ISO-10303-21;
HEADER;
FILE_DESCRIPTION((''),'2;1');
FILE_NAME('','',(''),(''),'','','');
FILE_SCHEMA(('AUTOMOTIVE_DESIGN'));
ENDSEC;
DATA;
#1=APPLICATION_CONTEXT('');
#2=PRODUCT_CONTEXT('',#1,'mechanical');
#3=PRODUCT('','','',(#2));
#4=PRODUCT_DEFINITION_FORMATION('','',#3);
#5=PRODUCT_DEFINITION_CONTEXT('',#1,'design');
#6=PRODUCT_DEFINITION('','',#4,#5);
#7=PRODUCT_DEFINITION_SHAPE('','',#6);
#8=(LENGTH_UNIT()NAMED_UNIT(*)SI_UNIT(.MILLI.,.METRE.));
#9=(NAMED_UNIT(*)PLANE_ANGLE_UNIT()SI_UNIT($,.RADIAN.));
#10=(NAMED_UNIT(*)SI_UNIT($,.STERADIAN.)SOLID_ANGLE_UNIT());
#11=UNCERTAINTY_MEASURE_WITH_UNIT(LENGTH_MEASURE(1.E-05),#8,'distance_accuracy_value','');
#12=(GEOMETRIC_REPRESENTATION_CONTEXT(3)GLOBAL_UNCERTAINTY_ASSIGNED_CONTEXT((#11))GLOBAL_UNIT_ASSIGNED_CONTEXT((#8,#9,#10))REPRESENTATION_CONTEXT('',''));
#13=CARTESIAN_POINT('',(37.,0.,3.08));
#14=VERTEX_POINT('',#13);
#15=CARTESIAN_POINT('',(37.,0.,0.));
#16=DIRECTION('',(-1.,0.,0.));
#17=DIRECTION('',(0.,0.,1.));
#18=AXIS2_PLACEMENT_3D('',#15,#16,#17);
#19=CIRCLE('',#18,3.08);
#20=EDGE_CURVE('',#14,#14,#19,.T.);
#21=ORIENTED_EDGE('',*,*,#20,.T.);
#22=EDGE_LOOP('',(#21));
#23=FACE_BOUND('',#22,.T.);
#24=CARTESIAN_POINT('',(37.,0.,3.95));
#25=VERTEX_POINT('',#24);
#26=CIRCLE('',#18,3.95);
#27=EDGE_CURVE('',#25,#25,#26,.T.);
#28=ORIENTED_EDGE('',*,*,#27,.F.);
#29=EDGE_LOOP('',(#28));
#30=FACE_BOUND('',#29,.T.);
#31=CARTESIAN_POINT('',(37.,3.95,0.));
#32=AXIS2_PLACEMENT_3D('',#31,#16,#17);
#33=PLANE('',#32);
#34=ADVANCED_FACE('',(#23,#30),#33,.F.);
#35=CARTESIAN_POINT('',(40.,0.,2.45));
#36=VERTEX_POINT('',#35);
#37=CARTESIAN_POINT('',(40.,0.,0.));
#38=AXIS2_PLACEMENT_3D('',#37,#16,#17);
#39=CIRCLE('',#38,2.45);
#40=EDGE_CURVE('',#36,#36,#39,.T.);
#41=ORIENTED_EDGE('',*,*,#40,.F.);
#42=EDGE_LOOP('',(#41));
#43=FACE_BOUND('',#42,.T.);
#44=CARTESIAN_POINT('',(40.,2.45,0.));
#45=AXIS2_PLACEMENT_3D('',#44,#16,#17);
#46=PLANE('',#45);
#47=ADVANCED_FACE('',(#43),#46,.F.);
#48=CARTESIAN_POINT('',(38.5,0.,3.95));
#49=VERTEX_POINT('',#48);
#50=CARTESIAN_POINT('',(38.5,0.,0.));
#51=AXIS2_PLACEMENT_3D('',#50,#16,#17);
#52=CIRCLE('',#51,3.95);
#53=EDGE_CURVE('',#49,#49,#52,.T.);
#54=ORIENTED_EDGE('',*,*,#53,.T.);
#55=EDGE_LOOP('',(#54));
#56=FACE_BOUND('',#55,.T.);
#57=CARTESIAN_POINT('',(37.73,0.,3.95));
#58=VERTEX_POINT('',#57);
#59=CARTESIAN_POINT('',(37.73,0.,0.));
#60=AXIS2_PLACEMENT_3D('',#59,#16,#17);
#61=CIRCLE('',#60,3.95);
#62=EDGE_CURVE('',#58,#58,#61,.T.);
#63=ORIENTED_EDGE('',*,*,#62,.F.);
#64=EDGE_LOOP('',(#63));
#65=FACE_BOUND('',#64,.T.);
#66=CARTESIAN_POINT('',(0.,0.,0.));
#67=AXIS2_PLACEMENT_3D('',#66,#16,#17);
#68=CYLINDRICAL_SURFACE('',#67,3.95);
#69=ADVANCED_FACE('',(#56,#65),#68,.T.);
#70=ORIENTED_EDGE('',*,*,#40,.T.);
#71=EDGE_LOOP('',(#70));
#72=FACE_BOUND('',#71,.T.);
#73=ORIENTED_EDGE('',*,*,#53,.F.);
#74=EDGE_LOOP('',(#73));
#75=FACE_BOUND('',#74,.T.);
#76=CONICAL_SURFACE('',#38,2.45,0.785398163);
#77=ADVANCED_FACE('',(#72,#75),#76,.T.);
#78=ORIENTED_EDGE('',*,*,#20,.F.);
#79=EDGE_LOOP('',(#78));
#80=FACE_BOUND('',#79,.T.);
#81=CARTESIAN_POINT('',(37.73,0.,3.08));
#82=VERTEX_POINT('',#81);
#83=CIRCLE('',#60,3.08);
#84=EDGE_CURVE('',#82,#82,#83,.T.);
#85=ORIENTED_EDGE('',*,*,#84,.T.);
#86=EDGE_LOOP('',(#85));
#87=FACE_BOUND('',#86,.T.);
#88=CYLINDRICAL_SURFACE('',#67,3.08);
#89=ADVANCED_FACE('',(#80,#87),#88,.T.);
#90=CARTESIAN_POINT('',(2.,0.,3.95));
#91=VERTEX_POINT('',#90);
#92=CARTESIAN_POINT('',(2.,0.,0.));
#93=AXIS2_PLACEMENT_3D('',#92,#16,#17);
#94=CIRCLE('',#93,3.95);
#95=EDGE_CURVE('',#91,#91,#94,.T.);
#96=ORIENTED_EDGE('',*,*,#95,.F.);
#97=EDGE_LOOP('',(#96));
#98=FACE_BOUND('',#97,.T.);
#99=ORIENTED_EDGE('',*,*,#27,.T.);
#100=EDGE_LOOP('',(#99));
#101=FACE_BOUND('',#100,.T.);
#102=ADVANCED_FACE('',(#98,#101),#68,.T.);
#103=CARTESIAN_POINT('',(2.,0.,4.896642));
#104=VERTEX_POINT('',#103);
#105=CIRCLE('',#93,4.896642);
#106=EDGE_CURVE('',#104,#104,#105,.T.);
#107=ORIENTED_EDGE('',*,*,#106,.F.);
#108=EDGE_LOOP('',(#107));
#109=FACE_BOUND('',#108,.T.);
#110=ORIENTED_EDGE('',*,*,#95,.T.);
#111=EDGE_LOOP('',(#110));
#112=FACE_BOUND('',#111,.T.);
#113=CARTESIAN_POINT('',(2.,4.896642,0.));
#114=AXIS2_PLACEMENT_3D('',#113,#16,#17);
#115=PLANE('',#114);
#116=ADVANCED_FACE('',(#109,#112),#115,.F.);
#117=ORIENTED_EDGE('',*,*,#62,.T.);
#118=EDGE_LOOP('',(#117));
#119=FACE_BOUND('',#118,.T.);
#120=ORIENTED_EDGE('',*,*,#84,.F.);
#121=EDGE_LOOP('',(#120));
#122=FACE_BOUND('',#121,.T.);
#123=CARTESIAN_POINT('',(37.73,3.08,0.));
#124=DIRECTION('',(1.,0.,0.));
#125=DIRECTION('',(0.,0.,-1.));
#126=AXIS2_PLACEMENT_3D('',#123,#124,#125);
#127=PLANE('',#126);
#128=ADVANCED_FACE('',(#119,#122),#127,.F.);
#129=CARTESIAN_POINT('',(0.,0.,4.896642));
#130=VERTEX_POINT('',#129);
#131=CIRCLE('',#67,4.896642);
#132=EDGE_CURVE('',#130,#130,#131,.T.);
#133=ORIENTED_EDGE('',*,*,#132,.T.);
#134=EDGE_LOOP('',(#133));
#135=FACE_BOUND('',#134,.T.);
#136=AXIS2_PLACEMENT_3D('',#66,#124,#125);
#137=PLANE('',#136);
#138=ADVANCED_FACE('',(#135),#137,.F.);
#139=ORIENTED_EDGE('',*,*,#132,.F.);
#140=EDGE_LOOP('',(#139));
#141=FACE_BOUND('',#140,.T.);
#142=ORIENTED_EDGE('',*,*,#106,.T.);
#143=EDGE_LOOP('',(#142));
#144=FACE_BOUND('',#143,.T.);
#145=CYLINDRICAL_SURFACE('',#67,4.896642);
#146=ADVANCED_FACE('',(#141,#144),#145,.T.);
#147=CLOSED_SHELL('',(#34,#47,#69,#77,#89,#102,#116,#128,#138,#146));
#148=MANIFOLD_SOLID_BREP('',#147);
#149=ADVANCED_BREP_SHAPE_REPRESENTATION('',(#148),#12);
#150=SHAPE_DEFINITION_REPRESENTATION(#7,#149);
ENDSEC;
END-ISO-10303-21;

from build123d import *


with BuildPart() as part:
    # Sketch1 → Revolve1 (revolve)
    with BuildSketch(Plane.XY):
        Polygon((0, 0), (0, 4.896641555), (2, 4.896641555), (2, 3.95), (37, 3.95), (37, 3.08), (37.73, 3.08), (37.73, 3.95), (38.5, 3.95), (40, 2.45), (40, 0), align=None)
    revolve(axis=Axis((0, 0, 0), (1, 0, 0)))


solid = part.part
